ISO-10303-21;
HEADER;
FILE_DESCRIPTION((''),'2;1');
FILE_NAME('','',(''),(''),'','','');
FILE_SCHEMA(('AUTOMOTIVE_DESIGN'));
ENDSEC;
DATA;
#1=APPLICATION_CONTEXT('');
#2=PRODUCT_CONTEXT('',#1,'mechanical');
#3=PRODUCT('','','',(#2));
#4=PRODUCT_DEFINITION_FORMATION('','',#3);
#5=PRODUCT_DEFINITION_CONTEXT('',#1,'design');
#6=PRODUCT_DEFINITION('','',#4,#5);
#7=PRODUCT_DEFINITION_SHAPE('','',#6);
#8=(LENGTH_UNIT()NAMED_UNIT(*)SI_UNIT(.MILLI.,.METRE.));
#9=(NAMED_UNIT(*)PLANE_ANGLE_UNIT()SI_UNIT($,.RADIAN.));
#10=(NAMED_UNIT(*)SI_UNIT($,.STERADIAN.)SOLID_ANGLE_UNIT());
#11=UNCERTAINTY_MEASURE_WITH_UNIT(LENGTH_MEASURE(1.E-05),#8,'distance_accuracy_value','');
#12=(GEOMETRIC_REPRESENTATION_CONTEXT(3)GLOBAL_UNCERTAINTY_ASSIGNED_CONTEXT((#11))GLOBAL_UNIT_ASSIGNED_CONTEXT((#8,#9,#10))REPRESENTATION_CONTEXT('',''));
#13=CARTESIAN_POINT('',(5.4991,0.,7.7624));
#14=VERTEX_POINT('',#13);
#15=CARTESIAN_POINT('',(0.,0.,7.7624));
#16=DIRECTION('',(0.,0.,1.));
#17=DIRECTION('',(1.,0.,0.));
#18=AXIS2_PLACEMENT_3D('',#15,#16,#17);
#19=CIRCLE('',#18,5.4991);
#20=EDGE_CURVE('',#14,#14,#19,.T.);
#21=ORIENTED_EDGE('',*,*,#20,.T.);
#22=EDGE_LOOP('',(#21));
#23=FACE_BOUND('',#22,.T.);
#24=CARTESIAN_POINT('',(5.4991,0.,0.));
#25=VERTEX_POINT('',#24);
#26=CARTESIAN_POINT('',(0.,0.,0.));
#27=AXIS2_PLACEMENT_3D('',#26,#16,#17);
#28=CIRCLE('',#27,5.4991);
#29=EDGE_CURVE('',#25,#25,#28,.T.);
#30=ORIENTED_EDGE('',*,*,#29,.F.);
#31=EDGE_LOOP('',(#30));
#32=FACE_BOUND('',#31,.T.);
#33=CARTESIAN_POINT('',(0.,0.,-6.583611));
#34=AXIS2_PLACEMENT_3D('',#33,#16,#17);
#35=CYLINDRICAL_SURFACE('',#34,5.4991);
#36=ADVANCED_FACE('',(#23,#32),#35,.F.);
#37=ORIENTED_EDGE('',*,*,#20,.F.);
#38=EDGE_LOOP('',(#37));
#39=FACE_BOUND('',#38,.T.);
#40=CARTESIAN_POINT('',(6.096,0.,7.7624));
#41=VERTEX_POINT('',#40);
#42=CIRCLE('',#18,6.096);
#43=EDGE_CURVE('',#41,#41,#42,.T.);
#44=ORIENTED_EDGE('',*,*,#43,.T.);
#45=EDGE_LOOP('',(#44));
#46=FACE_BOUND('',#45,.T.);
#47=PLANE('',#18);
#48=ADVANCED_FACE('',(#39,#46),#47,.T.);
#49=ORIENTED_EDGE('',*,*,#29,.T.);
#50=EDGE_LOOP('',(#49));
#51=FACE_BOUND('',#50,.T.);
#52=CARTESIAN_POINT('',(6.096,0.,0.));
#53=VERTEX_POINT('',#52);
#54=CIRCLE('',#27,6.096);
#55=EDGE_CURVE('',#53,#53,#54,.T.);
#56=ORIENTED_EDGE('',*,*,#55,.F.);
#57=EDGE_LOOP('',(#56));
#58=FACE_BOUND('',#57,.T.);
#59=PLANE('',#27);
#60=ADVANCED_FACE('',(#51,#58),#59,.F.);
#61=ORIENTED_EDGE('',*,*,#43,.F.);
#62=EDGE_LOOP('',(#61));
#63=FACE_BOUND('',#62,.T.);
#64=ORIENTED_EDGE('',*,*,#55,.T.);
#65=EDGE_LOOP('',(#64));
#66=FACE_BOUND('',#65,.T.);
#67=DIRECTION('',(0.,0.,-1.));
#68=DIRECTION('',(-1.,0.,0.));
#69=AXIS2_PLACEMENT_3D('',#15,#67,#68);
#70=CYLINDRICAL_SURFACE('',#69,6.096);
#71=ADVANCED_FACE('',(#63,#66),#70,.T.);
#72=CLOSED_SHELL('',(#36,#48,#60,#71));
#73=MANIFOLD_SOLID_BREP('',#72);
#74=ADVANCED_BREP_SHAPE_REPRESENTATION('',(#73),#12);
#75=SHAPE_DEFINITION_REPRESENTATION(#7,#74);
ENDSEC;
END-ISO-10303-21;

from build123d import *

# Parameters (mm, degrees)
SKETCH1_R           = 6.096
BOSS_EXTRUDE1_DEPTH = 7.762399691
SKETCH4_R           = 5.4991
CUT_EXTRUDE1_DEPTH  = 14.346010364


with BuildPart() as part:
    # Sketch1 → Boss-Extrude1 (new body)
    with BuildSketch(Plane.XY):
        Circle(SKETCH1_R)
    extrude(amount=BOSS_EXTRUDE1_DEPTH)

    # Sketch4 → Cut-Extrude1 (cut)
    with BuildSketch(Plane.XY.offset(7.762399691)):
        Circle(SKETCH4_R)
    extrude(amount=-CUT_EXTRUDE1_DEPTH, mode=Mode.SUBTRACT)


solid = part.part
